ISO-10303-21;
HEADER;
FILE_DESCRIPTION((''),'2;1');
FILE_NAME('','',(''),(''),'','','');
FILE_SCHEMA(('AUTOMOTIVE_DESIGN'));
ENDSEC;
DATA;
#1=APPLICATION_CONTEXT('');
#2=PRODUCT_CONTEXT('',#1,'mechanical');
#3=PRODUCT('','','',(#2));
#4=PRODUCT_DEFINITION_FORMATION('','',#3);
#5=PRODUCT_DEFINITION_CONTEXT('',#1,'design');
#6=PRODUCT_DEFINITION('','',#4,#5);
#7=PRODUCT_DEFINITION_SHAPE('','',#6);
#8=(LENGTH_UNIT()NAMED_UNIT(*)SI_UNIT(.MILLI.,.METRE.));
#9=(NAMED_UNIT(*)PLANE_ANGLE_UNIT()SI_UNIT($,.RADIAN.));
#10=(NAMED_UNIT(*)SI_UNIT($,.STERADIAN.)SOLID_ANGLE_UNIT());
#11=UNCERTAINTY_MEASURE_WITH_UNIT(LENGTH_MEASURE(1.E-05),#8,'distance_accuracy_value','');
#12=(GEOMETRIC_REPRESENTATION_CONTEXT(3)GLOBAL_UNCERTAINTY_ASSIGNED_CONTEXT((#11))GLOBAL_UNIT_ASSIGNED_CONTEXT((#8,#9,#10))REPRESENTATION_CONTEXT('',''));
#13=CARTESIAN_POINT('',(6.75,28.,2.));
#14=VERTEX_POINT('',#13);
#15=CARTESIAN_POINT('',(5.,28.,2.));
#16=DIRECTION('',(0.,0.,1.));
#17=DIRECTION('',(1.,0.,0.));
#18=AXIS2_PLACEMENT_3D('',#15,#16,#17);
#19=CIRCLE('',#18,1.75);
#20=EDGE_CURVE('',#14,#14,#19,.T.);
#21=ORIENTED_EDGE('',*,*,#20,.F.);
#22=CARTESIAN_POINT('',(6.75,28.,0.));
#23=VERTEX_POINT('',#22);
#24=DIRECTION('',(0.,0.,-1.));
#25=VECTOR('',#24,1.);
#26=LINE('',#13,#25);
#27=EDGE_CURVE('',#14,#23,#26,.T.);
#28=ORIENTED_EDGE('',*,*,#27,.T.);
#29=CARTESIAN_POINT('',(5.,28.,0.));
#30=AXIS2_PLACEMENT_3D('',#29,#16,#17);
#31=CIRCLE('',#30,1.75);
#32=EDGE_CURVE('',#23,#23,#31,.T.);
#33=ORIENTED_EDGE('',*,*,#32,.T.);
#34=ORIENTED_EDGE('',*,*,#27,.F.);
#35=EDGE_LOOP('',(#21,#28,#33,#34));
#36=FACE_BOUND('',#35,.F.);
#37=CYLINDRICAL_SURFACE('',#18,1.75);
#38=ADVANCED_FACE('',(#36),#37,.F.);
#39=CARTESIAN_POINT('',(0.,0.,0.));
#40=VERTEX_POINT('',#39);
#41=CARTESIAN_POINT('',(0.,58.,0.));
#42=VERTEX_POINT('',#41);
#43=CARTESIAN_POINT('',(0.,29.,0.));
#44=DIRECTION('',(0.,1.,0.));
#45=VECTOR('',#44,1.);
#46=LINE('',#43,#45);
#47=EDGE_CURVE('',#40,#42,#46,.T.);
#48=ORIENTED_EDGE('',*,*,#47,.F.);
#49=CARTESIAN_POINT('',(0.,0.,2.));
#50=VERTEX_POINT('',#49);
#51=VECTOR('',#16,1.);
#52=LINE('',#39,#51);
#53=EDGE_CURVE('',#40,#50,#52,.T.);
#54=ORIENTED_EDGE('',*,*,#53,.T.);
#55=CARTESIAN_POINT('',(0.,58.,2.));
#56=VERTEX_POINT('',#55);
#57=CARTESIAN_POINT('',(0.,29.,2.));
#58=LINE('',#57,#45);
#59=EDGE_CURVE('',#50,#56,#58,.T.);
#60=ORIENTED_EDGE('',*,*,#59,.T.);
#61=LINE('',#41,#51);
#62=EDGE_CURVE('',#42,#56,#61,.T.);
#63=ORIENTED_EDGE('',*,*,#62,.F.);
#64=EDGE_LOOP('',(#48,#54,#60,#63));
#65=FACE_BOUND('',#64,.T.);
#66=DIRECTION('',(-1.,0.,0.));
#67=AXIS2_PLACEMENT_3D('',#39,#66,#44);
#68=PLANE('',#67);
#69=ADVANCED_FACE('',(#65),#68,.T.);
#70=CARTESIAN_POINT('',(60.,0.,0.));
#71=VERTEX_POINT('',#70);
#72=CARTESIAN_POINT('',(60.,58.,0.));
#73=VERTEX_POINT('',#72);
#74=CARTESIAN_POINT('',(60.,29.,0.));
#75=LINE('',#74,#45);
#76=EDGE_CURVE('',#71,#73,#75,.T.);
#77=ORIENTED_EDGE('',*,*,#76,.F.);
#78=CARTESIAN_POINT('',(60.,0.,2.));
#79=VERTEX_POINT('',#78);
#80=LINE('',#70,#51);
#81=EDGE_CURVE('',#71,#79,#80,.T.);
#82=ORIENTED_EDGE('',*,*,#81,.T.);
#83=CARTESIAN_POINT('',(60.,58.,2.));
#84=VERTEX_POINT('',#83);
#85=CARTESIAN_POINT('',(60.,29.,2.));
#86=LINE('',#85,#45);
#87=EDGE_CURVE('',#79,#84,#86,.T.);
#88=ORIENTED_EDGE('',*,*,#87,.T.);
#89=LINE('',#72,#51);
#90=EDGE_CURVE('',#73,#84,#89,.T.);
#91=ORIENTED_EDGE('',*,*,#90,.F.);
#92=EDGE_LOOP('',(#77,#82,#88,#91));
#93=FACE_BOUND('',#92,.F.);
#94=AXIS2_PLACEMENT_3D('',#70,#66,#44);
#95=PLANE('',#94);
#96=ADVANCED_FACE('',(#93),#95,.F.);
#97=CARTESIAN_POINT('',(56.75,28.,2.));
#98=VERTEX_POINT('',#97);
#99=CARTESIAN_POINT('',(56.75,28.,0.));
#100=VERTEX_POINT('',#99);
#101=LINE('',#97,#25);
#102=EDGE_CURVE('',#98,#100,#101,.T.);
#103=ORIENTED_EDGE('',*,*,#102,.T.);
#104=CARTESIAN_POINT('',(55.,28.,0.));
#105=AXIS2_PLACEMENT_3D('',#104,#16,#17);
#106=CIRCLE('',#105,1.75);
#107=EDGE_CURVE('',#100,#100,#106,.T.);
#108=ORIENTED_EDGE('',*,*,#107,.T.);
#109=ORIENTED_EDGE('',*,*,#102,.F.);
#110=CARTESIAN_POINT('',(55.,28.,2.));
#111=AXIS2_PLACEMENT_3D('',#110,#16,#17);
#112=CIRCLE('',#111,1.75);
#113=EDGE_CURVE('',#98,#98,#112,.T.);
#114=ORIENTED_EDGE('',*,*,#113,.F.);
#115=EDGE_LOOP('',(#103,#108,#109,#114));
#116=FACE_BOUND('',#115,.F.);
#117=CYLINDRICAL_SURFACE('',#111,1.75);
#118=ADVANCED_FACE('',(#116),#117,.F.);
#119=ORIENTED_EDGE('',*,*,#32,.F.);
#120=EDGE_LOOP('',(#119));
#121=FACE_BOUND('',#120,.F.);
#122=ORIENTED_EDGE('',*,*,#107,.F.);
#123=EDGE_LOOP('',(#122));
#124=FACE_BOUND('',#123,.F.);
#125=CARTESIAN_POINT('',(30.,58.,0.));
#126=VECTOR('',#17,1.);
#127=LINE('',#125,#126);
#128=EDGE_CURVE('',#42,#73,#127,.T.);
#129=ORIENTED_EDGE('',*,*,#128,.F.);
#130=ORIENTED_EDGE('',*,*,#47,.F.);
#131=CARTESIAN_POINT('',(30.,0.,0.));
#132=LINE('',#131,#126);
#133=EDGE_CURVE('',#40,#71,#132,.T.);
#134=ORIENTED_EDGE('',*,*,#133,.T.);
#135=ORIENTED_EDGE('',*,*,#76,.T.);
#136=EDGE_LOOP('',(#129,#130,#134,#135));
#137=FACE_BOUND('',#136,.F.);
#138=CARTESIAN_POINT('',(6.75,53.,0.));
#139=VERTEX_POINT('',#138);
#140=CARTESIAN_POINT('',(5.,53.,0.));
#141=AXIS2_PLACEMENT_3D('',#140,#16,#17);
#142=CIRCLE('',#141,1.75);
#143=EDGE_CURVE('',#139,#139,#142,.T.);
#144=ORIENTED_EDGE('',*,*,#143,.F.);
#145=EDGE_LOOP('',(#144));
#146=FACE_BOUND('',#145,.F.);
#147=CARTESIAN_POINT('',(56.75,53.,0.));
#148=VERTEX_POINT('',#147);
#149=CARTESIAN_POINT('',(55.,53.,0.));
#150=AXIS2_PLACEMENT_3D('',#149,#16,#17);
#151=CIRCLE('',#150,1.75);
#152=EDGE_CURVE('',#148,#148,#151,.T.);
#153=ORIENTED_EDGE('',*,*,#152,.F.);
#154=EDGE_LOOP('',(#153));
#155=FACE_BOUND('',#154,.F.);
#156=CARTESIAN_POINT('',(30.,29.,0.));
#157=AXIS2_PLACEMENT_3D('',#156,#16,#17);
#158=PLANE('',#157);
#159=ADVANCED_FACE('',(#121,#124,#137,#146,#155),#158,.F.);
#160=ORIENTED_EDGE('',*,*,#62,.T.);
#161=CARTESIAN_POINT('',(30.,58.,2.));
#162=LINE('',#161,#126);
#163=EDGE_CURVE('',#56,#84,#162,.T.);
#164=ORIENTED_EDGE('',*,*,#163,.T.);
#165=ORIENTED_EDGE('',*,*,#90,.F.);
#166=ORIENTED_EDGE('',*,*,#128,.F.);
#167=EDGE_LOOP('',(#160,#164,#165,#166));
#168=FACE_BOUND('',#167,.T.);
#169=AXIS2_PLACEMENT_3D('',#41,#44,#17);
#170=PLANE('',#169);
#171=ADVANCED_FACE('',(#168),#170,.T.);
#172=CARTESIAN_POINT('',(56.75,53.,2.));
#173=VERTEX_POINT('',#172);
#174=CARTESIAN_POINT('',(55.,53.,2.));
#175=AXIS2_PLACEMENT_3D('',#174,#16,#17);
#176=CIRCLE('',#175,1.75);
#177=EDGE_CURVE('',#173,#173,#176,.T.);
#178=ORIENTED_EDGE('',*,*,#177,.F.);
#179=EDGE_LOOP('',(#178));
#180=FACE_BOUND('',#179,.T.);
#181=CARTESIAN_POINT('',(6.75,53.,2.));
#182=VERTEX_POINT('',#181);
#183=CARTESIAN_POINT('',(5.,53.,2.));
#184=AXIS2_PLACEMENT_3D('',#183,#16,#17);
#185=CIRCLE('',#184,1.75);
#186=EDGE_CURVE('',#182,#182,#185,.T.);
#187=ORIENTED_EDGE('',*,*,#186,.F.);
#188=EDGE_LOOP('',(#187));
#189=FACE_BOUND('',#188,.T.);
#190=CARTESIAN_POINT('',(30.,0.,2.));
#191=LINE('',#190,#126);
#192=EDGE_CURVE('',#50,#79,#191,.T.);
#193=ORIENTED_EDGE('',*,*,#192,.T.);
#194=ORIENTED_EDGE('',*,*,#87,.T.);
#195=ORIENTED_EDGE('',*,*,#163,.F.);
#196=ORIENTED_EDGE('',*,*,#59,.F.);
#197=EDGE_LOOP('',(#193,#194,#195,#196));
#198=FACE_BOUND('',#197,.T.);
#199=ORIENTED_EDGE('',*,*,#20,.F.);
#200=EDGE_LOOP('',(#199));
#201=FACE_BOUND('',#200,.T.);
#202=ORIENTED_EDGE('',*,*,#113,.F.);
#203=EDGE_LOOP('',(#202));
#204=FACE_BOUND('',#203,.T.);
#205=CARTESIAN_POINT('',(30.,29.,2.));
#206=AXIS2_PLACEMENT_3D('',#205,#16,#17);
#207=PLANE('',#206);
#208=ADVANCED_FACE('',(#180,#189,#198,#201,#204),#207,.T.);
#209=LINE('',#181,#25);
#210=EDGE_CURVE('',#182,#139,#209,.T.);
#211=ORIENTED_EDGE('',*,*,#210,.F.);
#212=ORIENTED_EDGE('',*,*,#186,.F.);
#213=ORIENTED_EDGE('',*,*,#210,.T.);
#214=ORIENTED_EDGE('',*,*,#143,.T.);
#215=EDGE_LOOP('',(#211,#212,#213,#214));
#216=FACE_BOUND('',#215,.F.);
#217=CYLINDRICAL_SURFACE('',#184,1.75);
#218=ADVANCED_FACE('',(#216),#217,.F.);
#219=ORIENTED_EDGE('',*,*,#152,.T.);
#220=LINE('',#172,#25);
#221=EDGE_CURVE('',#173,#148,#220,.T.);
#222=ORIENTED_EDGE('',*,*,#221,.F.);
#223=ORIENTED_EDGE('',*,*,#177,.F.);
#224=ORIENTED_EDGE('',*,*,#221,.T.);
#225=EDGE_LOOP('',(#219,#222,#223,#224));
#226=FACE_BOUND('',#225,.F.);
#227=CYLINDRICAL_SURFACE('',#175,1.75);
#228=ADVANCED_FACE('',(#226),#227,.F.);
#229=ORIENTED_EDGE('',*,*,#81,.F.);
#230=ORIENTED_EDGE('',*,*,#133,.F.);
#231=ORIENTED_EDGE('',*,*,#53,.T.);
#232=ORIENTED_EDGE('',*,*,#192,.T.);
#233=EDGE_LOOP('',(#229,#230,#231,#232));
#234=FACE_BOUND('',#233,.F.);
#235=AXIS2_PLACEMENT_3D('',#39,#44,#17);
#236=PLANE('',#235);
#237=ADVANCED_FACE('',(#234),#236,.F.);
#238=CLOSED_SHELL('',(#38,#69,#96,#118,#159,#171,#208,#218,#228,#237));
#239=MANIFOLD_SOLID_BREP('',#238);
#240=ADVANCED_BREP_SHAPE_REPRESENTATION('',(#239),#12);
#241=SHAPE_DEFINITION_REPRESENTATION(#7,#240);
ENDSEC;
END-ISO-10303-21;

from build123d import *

# Parameters (mm, degrees)
F0_W     = 60
F0_H     = 58
F1_DEPTH = 2
F2_R     = 1.75
F3_DEPTH = 2.001


with BuildPart() as f1:
    # F0 (on Top) → F1 (new body)
    with BuildSketch(Plane.XY):
        with Locations((30, 29)):
            Rectangle(F0_W, F0_H)
    extrude(amount=F1_DEPTH)

    # F2 (on face) → F3 (cut, through all)
    with BuildSketch(Plane.XY.offset(2)):
        with Locations((5, 53)):
            Circle(F2_R)
        with Locations((5, 28)):
            Circle(F2_R)
        with Locations((55, 28)):
            Circle(F2_R)
        with Locations((55, 53)):
            Circle(F2_R)
    extrude(amount=-F3_DEPTH, mode=Mode.SUBTRACT)


solid = f1.part
